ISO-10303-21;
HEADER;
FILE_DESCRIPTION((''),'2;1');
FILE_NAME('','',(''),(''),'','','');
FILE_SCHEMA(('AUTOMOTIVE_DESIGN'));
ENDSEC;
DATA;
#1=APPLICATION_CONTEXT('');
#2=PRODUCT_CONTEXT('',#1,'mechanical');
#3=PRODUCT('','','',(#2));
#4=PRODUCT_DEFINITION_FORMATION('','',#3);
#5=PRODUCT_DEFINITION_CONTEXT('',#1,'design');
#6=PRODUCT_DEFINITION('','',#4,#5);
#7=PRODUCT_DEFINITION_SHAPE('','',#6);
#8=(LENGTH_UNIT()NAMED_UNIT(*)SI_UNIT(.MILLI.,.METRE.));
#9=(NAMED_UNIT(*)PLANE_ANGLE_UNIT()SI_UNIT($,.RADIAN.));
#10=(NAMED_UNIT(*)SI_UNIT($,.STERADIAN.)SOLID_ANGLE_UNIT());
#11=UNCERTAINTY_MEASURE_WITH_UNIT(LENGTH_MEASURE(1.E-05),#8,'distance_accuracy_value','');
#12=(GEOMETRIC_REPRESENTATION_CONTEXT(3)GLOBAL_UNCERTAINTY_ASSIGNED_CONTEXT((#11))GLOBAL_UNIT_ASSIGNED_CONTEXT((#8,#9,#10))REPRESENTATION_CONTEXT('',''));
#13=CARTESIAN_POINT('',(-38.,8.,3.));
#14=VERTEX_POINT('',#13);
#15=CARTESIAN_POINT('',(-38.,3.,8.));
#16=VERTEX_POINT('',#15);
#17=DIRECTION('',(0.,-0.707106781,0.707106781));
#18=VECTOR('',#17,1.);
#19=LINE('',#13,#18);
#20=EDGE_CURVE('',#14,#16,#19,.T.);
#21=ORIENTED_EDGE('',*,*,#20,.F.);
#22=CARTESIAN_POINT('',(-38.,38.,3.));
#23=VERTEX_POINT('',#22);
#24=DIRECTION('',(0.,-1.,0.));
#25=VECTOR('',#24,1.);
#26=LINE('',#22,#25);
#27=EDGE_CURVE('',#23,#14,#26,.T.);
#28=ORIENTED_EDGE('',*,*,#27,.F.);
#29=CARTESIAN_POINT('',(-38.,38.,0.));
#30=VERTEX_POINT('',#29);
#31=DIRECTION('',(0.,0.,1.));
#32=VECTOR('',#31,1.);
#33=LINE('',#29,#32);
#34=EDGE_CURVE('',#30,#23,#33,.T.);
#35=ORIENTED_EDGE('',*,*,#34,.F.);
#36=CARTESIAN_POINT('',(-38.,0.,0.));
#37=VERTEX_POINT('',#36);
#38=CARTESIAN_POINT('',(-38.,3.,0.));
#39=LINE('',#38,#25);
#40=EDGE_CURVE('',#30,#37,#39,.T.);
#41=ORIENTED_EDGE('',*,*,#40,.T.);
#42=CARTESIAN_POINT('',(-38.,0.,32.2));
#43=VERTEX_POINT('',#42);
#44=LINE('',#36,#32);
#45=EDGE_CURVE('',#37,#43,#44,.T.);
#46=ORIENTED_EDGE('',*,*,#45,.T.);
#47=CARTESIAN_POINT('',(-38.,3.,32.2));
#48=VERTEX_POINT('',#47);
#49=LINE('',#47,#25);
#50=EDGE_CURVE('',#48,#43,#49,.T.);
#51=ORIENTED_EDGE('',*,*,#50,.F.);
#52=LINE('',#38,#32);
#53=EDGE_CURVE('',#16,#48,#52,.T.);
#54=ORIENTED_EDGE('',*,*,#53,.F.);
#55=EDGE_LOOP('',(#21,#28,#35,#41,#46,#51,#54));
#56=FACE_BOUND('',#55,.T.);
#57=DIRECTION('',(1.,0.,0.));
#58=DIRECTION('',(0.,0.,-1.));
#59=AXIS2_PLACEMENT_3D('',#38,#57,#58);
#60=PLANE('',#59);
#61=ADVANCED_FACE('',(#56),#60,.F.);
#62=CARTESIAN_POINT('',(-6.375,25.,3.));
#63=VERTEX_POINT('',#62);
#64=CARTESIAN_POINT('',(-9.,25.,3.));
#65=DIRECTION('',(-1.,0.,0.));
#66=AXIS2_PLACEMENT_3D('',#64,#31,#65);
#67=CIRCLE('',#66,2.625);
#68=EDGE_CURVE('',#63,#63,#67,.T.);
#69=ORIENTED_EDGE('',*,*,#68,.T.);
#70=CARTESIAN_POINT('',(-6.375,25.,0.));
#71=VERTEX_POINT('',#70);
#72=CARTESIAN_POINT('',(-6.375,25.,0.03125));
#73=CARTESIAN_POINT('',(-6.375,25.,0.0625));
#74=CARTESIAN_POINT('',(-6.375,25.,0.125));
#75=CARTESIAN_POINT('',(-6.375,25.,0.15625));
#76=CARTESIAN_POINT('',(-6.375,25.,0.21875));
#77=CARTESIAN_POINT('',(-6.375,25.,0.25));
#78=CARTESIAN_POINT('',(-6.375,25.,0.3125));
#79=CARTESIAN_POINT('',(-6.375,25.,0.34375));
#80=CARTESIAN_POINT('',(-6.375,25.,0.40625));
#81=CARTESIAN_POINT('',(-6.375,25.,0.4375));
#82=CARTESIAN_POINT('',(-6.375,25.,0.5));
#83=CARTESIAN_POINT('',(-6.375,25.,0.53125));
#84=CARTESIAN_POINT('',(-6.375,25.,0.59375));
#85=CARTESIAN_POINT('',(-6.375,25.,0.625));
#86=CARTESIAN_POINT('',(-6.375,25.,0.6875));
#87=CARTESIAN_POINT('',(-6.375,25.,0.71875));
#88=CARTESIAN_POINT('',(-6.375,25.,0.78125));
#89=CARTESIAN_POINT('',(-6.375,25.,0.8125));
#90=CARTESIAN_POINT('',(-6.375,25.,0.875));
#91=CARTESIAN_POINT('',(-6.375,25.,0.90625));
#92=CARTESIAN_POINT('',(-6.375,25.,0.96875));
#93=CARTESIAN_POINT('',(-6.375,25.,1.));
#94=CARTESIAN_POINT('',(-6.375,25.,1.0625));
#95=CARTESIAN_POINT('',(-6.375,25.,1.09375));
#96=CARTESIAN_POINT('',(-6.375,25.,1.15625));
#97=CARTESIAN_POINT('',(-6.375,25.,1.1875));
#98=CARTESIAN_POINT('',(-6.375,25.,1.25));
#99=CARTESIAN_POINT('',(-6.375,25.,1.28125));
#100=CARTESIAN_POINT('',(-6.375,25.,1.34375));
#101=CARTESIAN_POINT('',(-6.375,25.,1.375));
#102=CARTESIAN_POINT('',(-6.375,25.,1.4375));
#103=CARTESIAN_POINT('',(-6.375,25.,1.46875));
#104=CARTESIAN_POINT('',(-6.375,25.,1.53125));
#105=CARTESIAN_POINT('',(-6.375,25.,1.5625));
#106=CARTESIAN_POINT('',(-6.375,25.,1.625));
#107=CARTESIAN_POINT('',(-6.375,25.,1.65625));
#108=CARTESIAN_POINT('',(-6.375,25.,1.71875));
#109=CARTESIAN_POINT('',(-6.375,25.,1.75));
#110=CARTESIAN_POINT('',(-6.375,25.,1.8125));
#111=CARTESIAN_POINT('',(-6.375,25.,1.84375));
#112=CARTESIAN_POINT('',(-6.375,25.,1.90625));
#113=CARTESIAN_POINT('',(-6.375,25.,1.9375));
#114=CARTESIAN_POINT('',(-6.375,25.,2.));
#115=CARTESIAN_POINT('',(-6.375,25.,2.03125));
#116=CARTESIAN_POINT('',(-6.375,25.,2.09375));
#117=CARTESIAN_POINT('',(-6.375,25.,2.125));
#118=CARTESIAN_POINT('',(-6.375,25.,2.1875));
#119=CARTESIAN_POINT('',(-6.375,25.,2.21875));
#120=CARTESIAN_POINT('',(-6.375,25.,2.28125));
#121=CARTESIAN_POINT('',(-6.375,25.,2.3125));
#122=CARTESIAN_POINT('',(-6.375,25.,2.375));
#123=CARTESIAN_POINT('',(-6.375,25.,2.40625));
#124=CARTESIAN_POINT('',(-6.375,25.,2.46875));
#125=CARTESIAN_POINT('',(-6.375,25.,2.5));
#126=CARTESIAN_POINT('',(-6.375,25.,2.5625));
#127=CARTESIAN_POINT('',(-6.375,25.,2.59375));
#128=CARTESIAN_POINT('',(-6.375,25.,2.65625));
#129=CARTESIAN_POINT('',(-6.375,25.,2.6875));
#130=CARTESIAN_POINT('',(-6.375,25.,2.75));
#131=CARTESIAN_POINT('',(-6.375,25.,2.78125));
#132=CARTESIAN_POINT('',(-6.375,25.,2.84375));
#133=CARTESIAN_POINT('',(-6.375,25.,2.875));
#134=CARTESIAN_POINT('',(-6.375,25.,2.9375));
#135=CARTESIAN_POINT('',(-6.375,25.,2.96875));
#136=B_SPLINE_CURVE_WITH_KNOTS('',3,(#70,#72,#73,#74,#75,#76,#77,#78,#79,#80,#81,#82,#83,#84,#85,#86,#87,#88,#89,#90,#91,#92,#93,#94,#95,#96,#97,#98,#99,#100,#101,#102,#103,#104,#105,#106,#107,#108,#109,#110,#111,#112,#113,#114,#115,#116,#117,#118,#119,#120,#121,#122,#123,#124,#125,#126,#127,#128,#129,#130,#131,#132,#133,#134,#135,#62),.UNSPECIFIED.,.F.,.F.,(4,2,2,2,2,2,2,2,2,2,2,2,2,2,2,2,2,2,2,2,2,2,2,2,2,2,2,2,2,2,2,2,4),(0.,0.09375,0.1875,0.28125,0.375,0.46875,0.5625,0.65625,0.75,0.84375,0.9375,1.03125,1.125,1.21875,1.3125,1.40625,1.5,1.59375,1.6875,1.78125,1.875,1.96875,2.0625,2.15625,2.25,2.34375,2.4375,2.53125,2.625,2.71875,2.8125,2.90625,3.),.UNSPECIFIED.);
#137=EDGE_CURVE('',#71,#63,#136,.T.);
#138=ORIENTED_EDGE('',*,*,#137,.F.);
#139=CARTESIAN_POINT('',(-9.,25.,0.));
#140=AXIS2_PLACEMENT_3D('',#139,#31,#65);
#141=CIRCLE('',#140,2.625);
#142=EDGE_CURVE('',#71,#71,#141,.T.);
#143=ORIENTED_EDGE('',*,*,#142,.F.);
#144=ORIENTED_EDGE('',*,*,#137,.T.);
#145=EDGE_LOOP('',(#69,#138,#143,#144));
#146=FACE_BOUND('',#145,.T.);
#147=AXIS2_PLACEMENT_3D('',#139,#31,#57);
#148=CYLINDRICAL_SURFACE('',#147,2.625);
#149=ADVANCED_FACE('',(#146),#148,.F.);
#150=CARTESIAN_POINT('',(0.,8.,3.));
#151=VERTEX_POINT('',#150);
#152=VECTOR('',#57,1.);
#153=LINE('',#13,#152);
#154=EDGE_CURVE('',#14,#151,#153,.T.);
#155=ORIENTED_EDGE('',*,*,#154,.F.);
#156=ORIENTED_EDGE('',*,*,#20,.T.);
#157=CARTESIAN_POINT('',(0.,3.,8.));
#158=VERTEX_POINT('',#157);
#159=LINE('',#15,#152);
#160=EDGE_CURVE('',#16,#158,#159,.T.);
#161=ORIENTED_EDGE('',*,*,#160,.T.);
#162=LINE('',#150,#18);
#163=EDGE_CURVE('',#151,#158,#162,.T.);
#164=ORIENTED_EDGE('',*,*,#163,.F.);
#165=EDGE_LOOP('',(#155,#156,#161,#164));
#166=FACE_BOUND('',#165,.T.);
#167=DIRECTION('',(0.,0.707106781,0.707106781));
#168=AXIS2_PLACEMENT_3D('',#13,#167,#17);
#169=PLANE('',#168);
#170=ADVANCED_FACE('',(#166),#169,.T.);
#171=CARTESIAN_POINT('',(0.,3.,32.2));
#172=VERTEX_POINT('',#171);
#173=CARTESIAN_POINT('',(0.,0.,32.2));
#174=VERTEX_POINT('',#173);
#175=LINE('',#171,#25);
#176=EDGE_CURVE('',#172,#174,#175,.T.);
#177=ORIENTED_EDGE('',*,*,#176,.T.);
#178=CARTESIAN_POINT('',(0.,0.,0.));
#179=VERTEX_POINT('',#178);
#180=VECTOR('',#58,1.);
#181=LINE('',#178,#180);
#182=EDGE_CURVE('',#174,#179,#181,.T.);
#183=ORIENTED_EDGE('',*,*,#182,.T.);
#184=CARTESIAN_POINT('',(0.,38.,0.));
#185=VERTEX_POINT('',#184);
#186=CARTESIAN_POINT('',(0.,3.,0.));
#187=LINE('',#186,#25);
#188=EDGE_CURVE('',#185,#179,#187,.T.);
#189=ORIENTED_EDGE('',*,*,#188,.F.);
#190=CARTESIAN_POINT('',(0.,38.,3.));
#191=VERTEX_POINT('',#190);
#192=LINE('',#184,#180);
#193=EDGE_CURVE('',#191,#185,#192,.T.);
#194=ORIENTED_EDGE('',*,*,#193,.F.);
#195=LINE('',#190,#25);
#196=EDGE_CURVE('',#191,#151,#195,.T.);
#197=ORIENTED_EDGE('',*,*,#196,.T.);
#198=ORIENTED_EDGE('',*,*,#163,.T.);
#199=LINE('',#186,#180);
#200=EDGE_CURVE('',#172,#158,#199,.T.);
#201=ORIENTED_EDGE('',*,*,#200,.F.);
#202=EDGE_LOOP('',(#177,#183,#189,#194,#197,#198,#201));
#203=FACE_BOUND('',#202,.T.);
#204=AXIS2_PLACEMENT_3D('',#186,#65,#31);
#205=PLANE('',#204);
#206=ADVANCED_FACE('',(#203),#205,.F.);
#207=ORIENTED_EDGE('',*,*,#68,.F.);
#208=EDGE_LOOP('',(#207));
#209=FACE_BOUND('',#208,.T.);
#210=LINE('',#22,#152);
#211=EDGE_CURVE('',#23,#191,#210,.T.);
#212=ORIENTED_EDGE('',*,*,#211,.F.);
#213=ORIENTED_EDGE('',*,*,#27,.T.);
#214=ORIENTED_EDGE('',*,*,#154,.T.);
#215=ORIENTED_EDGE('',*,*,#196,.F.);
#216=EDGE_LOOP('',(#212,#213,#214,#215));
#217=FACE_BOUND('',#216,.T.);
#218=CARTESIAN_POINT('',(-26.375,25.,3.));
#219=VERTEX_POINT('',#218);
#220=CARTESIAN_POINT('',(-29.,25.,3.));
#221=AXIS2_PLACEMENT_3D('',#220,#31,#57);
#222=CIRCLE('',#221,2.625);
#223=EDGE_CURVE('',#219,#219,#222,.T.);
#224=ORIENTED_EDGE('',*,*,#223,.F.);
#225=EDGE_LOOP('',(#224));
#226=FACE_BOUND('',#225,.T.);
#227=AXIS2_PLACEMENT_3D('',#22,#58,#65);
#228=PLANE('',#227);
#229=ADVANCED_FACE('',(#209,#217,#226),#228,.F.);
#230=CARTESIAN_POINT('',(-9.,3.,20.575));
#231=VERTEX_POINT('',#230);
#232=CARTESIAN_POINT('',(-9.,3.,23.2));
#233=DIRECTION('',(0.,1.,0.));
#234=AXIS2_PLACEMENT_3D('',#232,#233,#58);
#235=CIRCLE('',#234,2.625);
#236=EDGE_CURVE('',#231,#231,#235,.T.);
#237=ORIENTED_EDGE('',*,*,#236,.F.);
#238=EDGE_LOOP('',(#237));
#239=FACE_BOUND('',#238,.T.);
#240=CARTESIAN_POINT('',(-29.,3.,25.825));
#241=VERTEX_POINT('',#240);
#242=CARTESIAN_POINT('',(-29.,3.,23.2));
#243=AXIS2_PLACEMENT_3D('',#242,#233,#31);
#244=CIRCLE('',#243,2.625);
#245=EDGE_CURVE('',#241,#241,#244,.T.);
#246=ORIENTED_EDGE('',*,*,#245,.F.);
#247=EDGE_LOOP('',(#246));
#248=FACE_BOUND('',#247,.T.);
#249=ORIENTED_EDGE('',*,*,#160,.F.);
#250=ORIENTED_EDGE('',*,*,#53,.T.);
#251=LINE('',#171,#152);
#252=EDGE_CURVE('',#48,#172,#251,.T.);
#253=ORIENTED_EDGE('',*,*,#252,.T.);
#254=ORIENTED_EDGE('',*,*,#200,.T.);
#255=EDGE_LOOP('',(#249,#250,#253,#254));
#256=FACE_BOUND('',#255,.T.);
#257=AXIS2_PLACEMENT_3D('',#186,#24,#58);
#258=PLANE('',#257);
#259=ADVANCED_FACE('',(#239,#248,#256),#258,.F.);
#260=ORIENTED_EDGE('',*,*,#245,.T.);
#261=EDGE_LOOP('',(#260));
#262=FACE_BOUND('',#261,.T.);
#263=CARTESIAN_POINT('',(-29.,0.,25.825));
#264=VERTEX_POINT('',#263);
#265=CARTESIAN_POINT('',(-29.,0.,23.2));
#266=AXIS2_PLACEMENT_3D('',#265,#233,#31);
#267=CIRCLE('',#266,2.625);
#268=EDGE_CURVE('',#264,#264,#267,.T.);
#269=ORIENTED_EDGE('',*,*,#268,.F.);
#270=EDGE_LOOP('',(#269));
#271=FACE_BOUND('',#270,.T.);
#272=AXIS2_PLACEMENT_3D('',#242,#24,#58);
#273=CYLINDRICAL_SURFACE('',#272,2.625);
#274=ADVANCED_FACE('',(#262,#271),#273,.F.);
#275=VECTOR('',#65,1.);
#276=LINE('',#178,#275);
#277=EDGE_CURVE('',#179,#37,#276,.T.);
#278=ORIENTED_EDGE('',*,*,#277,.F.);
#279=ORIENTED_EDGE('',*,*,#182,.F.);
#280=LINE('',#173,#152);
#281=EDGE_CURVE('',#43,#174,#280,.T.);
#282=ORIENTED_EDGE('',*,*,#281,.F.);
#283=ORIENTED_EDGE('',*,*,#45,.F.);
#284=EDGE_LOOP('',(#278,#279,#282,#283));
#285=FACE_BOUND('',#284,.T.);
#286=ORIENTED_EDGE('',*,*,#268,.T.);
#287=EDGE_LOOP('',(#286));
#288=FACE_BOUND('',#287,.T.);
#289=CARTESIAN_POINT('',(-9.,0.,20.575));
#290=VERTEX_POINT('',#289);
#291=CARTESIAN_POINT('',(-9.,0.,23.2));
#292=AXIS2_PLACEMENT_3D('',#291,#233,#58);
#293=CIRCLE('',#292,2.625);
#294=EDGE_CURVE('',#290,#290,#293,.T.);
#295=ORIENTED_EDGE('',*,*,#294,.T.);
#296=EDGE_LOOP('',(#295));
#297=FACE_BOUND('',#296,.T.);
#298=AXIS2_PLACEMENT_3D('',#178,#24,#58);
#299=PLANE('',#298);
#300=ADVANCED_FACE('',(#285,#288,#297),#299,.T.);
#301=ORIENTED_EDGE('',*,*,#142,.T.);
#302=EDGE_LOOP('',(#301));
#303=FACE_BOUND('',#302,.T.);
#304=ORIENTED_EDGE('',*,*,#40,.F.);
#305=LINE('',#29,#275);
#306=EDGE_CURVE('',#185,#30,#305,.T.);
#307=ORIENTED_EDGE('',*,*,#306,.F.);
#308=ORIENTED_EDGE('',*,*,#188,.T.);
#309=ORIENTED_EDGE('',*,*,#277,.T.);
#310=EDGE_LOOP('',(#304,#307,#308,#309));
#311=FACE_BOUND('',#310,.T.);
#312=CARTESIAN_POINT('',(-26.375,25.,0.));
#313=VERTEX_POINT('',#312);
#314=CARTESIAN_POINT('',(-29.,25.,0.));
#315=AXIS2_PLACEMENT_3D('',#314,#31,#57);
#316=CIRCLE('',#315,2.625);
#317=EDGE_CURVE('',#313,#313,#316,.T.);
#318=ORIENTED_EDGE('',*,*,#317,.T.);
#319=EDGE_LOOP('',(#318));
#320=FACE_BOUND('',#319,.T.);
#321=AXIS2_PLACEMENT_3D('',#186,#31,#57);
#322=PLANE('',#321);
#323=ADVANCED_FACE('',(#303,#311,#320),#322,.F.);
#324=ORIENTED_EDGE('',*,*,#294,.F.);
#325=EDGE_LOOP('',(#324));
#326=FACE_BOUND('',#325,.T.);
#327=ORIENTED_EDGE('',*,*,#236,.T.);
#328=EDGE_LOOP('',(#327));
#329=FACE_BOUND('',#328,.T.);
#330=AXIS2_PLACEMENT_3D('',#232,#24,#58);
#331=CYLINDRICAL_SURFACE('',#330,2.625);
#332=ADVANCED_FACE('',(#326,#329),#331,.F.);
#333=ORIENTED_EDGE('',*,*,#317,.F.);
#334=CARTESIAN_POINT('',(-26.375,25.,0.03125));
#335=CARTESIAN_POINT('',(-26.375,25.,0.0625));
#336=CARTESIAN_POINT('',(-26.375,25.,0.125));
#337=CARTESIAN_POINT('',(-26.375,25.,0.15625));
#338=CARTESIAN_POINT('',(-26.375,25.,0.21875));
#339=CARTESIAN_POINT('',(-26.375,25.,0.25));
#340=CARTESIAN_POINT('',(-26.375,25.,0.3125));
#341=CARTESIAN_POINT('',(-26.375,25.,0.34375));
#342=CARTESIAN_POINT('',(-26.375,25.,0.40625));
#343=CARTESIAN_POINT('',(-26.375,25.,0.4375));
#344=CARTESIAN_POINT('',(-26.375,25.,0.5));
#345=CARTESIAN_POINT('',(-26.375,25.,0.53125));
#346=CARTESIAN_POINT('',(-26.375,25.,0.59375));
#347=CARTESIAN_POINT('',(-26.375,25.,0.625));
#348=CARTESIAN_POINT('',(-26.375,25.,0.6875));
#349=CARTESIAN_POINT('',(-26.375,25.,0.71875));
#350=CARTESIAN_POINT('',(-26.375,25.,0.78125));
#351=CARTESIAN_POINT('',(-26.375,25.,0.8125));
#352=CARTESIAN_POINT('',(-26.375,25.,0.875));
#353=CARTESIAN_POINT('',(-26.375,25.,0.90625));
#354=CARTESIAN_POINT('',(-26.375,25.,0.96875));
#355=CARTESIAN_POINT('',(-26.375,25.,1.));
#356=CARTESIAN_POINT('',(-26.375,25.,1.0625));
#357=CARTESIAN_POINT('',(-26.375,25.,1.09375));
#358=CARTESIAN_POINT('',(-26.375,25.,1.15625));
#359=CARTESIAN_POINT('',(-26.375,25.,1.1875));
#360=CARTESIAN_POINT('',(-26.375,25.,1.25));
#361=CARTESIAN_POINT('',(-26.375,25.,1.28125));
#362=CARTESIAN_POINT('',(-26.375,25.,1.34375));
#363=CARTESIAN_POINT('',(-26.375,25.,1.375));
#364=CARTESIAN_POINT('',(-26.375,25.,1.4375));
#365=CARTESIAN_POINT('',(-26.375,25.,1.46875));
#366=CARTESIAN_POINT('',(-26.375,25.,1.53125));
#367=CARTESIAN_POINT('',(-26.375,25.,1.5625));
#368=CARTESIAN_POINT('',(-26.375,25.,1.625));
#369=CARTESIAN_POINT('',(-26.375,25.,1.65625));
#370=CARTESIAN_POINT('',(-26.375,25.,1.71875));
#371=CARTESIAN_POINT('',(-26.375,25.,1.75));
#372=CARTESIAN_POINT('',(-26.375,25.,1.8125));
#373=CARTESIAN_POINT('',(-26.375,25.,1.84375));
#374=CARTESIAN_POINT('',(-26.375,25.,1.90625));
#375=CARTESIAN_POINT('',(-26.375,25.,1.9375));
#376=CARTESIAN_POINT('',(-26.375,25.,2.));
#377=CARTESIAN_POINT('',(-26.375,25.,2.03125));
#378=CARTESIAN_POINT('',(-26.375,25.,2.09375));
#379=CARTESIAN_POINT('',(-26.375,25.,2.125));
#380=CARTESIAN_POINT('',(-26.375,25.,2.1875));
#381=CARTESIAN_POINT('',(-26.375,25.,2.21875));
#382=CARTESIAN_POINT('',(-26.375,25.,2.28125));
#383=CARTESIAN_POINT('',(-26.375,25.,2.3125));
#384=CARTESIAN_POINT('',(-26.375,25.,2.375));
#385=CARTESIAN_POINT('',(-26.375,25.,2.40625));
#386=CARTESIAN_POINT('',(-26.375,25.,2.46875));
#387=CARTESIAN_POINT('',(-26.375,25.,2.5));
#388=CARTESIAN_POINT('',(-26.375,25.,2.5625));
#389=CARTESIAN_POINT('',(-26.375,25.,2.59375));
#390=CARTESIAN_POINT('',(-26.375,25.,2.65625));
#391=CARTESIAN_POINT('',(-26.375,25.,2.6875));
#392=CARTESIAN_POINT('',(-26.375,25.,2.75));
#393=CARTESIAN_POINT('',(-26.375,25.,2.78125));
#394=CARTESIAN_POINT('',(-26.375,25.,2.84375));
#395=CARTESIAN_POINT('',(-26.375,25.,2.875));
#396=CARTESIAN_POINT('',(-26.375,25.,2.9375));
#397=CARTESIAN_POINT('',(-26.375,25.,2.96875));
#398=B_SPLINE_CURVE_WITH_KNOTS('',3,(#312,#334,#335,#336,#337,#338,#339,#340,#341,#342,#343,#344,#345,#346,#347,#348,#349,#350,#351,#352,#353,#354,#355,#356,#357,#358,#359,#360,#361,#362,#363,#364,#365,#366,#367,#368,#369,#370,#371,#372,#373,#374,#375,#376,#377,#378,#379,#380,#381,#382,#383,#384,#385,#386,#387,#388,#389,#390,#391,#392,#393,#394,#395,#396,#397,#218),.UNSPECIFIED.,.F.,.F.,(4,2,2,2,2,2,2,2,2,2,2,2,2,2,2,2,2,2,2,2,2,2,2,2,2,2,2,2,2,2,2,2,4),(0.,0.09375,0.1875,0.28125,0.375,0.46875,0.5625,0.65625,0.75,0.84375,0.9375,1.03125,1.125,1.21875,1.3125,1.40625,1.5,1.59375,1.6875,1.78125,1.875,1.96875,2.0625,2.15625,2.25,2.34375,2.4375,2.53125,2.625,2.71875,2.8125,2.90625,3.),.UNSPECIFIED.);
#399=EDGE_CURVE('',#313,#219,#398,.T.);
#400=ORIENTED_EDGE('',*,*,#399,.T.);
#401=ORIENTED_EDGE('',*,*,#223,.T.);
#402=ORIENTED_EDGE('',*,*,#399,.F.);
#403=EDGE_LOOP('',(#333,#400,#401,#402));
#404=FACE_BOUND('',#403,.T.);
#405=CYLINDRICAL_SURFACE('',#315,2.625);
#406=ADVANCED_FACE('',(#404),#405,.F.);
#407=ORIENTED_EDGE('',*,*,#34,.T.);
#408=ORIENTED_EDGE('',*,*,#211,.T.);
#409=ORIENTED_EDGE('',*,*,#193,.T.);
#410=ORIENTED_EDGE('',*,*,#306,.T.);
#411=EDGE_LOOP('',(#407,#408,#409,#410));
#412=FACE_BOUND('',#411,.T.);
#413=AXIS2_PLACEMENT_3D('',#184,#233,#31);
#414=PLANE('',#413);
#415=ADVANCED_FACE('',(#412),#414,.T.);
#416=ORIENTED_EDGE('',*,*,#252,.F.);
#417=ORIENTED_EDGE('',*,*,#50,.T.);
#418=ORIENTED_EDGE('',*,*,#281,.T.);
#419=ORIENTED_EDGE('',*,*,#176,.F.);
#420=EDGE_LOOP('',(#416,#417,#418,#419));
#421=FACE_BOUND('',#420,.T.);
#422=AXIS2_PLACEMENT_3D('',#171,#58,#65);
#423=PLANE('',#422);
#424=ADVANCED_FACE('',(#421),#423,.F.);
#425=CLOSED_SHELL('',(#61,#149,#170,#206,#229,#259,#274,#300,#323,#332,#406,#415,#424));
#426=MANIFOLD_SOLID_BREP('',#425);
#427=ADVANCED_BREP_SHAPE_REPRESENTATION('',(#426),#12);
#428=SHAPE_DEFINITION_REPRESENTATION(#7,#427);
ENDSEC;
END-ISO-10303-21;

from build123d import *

# Parameters (mm, degrees)
SKETCH1_W           = 38
SKETCH1_H           = 32.2
SKETCH1_R           = 2.625
BOSS_EXTRUDE1_DEPTH = 3
SKETCH2_W           = 38
SKETCH2_H           = 3
BOSS_EXTRUDE2_DEPTH = 35
SKETCH3_R           = 2.625
CUT_EXTRUDE1_DEPTH  = 62.160771741
BOSS_EXTRUDE3_DEPTH = 38


with BuildPart() as part:
    # Sketch1 → Boss-Extrude1 (new body)
    with BuildSketch(Plane(origin=(0, 0, 0), x_dir=(1, 0, 0), z_dir=(0, 1, 0))):
        with Locations((-19, -16.1)):
            Rectangle(SKETCH1_W, SKETCH1_H)
        with Locations(Location((-29, -23.2, 0), (0, 0, 270))):
            Circle(SKETCH1_R, mode=Mode.SUBTRACT)
        with Locations(Location((-9, -23.2, 0), (0, 0, 90))):
            Circle(SKETCH1_R, mode=Mode.SUBTRACT)
    extrude(amount=BOSS_EXTRUDE1_DEPTH)

    # Sketch2 → Boss-Extrude2 (add)
    with BuildSketch(Plane(origin=(0, 3, 0), x_dir=(1, 0, 0), z_dir=(0, 1, 0))):
        with Locations((-19, -1.5)):
            Rectangle(SKETCH2_W, SKETCH2_H)
    extrude(amount=BOSS_EXTRUDE2_DEPTH)

    # Sketch3 → Cut-Extrude1 (cut, through all)
    with BuildSketch(Plane.XY.offset(3)):
        with Locations((-29, 25)):
            Circle(SKETCH3_R)
        with Locations((-9, 25)):
            Circle(SKETCH3_R)
    extrude(amount=-CUT_EXTRUDE1_DEPTH, mode=Mode.SUBTRACT)

    # Sketch4 → Boss-Extrude3 (add, through all)
    with BuildSketch(Plane(origin=(0, 0, 0), x_dir=(0, 0, -1), z_dir=(1, 0, 0))):
        Polygon((-3, 8), (-8, 3), (-3, 3), align=None)
    extrude(amount=-BOSS_EXTRUDE3_DEPTH)


solid = part.part
